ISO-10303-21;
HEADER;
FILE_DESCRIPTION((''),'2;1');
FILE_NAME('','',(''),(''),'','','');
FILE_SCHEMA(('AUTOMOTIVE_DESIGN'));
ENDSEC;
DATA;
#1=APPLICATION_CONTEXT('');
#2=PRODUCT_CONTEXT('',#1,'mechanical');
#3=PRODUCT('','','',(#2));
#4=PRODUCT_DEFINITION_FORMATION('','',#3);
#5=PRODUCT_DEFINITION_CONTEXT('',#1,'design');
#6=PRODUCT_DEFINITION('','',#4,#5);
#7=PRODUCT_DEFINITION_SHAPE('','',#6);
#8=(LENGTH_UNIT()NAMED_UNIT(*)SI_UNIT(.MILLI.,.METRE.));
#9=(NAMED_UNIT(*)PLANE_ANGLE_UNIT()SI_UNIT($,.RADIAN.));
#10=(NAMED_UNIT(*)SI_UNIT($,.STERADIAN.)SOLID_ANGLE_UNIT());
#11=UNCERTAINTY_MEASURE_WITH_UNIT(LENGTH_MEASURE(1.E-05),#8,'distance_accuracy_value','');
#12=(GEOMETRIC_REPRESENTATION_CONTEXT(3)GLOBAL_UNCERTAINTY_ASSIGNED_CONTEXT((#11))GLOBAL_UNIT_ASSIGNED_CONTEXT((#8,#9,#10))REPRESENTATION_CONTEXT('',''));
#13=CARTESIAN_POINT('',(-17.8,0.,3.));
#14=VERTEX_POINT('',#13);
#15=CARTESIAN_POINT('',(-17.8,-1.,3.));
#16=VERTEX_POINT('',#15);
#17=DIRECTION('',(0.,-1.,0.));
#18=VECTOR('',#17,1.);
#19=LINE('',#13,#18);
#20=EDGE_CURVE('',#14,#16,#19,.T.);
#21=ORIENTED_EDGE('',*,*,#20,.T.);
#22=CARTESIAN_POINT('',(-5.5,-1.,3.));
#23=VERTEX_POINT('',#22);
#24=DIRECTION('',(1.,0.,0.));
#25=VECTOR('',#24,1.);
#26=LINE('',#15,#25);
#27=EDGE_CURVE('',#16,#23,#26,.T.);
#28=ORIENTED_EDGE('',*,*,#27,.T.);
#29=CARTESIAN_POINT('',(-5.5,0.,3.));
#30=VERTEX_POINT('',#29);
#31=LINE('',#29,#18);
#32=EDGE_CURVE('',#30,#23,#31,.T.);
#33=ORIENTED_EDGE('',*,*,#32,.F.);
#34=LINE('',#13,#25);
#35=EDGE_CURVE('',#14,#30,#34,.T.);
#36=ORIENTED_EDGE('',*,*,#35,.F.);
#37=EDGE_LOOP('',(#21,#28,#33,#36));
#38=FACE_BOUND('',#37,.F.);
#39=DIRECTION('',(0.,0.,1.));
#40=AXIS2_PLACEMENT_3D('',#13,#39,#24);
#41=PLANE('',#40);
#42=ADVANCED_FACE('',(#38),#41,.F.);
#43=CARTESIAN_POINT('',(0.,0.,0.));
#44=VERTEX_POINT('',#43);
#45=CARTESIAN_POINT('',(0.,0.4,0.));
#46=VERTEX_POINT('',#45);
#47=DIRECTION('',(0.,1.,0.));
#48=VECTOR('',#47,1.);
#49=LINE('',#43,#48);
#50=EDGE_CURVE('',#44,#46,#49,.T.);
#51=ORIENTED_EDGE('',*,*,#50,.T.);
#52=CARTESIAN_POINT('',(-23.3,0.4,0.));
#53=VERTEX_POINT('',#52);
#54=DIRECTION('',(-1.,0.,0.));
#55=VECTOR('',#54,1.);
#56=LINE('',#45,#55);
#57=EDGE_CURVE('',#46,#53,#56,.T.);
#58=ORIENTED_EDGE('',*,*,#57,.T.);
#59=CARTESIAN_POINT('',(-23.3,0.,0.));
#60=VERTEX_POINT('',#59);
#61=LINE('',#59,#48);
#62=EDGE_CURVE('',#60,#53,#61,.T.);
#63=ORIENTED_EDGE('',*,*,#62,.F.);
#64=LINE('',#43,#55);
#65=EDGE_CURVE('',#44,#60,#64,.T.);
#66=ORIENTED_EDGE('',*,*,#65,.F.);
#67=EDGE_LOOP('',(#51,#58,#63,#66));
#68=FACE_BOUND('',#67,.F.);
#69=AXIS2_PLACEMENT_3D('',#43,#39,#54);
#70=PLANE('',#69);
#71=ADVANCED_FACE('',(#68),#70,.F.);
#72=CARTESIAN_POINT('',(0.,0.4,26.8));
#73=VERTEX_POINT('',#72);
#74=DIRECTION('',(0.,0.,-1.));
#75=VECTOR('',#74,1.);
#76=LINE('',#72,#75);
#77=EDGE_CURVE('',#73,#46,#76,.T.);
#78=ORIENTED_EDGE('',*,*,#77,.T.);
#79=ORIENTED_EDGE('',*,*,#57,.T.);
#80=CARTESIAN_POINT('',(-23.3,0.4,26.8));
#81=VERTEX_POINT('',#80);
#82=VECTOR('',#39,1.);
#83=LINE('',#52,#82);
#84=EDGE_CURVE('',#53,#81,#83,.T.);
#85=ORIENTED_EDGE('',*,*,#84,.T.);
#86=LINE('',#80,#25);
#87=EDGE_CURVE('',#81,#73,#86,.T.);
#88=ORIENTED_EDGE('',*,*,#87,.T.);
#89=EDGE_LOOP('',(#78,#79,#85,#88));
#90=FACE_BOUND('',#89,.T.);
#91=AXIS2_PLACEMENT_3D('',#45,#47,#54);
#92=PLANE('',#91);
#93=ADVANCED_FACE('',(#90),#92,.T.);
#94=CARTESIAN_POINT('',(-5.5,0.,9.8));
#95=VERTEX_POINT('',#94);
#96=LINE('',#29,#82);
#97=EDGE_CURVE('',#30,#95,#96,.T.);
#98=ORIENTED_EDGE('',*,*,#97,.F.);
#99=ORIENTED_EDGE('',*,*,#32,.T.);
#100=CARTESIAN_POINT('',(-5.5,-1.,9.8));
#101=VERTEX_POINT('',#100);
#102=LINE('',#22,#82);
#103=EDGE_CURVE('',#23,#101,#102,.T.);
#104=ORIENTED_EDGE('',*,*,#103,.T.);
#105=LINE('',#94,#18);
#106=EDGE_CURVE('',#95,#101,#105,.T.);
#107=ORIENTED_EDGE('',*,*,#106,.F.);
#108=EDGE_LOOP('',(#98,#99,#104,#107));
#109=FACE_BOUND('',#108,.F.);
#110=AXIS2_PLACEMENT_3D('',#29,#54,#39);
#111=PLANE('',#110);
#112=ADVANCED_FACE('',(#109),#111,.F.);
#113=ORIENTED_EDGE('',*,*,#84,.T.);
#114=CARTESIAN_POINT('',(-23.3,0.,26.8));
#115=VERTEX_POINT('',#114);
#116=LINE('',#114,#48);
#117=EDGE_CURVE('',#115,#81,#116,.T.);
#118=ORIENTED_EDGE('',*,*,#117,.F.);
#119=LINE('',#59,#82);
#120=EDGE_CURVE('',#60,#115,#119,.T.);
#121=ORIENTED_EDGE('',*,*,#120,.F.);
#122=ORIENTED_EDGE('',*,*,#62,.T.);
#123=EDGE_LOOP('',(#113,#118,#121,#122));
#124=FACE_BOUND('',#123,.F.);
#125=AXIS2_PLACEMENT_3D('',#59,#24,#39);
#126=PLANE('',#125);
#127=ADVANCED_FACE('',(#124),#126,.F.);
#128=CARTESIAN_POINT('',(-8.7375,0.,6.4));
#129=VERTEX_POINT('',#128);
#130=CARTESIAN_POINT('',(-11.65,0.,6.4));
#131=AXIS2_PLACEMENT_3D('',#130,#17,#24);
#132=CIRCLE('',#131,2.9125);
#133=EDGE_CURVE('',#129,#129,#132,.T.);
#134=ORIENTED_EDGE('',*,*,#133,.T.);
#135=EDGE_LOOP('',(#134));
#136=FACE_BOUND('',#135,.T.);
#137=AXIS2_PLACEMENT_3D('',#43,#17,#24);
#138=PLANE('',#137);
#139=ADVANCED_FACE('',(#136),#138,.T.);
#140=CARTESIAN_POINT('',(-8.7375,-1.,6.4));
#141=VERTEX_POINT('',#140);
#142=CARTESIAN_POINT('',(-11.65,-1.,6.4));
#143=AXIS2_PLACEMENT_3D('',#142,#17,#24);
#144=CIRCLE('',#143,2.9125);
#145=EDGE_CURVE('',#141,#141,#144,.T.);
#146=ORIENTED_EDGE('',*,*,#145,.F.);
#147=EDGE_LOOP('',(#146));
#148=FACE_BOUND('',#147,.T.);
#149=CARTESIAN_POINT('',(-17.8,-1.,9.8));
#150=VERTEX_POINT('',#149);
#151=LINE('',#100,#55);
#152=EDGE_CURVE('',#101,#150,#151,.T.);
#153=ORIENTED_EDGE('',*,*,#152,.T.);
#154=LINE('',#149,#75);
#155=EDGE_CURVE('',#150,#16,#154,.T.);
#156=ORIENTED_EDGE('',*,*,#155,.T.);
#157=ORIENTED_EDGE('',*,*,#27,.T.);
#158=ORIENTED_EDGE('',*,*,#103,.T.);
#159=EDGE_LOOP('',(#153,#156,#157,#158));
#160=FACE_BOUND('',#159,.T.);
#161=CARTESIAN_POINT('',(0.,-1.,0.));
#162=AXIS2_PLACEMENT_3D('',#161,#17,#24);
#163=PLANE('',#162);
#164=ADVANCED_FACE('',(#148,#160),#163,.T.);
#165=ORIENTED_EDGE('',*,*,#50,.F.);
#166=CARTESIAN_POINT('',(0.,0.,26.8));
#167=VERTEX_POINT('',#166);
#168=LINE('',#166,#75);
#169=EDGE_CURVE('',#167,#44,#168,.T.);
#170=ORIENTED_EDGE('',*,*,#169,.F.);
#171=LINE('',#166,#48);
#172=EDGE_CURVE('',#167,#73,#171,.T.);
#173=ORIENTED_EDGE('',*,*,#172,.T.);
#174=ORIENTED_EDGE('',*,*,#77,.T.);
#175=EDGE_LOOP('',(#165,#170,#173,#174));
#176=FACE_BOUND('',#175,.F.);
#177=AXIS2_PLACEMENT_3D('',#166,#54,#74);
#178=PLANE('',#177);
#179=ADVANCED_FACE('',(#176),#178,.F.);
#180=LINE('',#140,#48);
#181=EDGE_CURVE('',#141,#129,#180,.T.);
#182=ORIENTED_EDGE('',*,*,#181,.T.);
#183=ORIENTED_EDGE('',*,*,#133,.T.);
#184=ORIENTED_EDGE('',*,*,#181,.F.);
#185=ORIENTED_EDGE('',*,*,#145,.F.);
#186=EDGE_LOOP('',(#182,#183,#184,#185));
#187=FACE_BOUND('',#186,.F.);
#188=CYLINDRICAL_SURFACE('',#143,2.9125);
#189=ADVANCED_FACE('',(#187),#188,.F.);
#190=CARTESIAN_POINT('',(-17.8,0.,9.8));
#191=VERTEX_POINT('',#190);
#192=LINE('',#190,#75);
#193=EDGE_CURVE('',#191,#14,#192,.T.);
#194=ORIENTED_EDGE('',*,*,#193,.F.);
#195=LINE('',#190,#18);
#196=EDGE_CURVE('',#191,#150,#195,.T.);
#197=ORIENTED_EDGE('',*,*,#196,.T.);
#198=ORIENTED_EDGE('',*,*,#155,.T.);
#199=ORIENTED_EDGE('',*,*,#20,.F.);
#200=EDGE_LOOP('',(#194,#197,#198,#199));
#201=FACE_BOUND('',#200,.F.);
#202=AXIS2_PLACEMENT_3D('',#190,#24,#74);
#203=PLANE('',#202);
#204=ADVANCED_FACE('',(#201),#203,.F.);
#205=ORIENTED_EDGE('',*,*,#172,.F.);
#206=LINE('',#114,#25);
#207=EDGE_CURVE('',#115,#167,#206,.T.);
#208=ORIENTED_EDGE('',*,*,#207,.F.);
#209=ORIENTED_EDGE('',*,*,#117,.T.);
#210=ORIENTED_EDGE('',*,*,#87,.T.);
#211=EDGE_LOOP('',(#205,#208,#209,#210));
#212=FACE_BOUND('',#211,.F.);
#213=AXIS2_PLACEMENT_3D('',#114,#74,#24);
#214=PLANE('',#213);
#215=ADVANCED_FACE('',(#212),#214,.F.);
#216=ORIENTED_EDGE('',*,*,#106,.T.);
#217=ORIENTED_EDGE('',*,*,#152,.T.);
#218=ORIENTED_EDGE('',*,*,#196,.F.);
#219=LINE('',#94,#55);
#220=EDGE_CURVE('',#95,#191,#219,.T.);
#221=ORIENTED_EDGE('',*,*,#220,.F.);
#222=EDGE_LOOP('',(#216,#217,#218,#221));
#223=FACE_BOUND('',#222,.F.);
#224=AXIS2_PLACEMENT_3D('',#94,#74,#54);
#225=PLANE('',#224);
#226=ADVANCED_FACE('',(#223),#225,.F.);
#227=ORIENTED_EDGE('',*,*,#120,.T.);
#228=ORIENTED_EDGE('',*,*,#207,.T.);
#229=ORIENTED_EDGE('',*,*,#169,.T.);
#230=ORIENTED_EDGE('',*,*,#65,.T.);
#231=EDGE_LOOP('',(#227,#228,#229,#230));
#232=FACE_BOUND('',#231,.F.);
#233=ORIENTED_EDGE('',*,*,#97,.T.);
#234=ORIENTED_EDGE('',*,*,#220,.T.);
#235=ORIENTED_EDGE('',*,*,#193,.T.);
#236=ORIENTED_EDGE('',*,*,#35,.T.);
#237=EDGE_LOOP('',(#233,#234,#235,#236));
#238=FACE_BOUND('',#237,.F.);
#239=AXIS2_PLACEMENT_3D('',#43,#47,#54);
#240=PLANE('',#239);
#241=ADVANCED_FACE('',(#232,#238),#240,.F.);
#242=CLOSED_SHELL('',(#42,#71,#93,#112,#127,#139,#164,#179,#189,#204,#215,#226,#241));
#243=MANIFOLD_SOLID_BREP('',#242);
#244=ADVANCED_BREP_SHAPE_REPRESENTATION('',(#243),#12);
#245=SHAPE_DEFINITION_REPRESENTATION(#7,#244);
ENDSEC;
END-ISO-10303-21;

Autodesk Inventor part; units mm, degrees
ref_plane "YZ Plane" through (0, 0, 0) normal (1, 0, 0) x (0, 1, 0)
ref_plane "XZ Plane" through (0, 0, 0) normal (0, 1, 0) x (-1, 0, 0)
ref_plane "XY Plane" through (0, 0, 0) normal (0, 0, 1) x (1, 0, 0)
sketch "Skizze1" plane through (0, 0, 0) normal (0, 1, 0) x (-1, 0, 0)
  line L0 (0, 0) -> (23.3, 0)
  line L1 (23.3, 0) -> (23.3, 26.8)
  line L2 (23.3, 26.8) -> (0, 26.8)
  line L3 (0, 26.8) -> (0, 0)
  dimension "d0" = 23.3
  dimension "d1" = 26.8
extrude "Extrusion1" add sketch "Skizze1" along normal blind 0.4
sketch "Skizze2" plane through (0, 0, 0) normal (0, -1, 0) x (1, 0, 0)
  line L0 (0, 0) -> (-23.3, 0) projected
  line L1 (0, 26.8) -> (0, 0) projected
  line L2 (-23.3, 26.8) -> (0, 26.8) projected
  line L3 (-23.3, 0) -> (-23.3, 26.8) projected
  line L4 (-17.8, 3) -> (-5.5, 3)
  line L5 (-5.5, 3) -> (-5.5, 9.8)
  line L6 (-5.5, 9.8) -> (-17.8, 9.8)
  line L7 (-17.8, 9.8) -> (-17.8, 3)
  dimension "d4" = 3
  dimension "d5" = 17
  dimension "d6" = 5.5
  dimension "d7" = 5.5
extrude "Extrusion2" add sketch "Skizze2" along normal blind 1 contours L7 L6 L5 L4
sketch "Skizze3" plane through (0, -1, 0) normal (0, -1, 0) x (1, 0, 0)
  line L0 (-17.8, 3) -> (-5.5, 3) projected
  line L1 (-5.5, 3) -> (-5.5, 9.8) projected
  line L2 (-5.5, 9.8) -> (-17.8, 9.8) projected
  line L3 (-17.8, 9.8) -> (-17.8, 3) projected
  circle A0 centre (-11.65, 6.4) radius 2.9125
  point P0 (0, 0)
extrude "Extrusion3" cut sketch "Skizze3" against normal blind 1 contours A0
ref_plane "Work Plane1" through (-11.65, 0, 0) normal (-1, 0, 0) x (0, 0, 1)
properties part number "02_Nanoscopy_Chip"
